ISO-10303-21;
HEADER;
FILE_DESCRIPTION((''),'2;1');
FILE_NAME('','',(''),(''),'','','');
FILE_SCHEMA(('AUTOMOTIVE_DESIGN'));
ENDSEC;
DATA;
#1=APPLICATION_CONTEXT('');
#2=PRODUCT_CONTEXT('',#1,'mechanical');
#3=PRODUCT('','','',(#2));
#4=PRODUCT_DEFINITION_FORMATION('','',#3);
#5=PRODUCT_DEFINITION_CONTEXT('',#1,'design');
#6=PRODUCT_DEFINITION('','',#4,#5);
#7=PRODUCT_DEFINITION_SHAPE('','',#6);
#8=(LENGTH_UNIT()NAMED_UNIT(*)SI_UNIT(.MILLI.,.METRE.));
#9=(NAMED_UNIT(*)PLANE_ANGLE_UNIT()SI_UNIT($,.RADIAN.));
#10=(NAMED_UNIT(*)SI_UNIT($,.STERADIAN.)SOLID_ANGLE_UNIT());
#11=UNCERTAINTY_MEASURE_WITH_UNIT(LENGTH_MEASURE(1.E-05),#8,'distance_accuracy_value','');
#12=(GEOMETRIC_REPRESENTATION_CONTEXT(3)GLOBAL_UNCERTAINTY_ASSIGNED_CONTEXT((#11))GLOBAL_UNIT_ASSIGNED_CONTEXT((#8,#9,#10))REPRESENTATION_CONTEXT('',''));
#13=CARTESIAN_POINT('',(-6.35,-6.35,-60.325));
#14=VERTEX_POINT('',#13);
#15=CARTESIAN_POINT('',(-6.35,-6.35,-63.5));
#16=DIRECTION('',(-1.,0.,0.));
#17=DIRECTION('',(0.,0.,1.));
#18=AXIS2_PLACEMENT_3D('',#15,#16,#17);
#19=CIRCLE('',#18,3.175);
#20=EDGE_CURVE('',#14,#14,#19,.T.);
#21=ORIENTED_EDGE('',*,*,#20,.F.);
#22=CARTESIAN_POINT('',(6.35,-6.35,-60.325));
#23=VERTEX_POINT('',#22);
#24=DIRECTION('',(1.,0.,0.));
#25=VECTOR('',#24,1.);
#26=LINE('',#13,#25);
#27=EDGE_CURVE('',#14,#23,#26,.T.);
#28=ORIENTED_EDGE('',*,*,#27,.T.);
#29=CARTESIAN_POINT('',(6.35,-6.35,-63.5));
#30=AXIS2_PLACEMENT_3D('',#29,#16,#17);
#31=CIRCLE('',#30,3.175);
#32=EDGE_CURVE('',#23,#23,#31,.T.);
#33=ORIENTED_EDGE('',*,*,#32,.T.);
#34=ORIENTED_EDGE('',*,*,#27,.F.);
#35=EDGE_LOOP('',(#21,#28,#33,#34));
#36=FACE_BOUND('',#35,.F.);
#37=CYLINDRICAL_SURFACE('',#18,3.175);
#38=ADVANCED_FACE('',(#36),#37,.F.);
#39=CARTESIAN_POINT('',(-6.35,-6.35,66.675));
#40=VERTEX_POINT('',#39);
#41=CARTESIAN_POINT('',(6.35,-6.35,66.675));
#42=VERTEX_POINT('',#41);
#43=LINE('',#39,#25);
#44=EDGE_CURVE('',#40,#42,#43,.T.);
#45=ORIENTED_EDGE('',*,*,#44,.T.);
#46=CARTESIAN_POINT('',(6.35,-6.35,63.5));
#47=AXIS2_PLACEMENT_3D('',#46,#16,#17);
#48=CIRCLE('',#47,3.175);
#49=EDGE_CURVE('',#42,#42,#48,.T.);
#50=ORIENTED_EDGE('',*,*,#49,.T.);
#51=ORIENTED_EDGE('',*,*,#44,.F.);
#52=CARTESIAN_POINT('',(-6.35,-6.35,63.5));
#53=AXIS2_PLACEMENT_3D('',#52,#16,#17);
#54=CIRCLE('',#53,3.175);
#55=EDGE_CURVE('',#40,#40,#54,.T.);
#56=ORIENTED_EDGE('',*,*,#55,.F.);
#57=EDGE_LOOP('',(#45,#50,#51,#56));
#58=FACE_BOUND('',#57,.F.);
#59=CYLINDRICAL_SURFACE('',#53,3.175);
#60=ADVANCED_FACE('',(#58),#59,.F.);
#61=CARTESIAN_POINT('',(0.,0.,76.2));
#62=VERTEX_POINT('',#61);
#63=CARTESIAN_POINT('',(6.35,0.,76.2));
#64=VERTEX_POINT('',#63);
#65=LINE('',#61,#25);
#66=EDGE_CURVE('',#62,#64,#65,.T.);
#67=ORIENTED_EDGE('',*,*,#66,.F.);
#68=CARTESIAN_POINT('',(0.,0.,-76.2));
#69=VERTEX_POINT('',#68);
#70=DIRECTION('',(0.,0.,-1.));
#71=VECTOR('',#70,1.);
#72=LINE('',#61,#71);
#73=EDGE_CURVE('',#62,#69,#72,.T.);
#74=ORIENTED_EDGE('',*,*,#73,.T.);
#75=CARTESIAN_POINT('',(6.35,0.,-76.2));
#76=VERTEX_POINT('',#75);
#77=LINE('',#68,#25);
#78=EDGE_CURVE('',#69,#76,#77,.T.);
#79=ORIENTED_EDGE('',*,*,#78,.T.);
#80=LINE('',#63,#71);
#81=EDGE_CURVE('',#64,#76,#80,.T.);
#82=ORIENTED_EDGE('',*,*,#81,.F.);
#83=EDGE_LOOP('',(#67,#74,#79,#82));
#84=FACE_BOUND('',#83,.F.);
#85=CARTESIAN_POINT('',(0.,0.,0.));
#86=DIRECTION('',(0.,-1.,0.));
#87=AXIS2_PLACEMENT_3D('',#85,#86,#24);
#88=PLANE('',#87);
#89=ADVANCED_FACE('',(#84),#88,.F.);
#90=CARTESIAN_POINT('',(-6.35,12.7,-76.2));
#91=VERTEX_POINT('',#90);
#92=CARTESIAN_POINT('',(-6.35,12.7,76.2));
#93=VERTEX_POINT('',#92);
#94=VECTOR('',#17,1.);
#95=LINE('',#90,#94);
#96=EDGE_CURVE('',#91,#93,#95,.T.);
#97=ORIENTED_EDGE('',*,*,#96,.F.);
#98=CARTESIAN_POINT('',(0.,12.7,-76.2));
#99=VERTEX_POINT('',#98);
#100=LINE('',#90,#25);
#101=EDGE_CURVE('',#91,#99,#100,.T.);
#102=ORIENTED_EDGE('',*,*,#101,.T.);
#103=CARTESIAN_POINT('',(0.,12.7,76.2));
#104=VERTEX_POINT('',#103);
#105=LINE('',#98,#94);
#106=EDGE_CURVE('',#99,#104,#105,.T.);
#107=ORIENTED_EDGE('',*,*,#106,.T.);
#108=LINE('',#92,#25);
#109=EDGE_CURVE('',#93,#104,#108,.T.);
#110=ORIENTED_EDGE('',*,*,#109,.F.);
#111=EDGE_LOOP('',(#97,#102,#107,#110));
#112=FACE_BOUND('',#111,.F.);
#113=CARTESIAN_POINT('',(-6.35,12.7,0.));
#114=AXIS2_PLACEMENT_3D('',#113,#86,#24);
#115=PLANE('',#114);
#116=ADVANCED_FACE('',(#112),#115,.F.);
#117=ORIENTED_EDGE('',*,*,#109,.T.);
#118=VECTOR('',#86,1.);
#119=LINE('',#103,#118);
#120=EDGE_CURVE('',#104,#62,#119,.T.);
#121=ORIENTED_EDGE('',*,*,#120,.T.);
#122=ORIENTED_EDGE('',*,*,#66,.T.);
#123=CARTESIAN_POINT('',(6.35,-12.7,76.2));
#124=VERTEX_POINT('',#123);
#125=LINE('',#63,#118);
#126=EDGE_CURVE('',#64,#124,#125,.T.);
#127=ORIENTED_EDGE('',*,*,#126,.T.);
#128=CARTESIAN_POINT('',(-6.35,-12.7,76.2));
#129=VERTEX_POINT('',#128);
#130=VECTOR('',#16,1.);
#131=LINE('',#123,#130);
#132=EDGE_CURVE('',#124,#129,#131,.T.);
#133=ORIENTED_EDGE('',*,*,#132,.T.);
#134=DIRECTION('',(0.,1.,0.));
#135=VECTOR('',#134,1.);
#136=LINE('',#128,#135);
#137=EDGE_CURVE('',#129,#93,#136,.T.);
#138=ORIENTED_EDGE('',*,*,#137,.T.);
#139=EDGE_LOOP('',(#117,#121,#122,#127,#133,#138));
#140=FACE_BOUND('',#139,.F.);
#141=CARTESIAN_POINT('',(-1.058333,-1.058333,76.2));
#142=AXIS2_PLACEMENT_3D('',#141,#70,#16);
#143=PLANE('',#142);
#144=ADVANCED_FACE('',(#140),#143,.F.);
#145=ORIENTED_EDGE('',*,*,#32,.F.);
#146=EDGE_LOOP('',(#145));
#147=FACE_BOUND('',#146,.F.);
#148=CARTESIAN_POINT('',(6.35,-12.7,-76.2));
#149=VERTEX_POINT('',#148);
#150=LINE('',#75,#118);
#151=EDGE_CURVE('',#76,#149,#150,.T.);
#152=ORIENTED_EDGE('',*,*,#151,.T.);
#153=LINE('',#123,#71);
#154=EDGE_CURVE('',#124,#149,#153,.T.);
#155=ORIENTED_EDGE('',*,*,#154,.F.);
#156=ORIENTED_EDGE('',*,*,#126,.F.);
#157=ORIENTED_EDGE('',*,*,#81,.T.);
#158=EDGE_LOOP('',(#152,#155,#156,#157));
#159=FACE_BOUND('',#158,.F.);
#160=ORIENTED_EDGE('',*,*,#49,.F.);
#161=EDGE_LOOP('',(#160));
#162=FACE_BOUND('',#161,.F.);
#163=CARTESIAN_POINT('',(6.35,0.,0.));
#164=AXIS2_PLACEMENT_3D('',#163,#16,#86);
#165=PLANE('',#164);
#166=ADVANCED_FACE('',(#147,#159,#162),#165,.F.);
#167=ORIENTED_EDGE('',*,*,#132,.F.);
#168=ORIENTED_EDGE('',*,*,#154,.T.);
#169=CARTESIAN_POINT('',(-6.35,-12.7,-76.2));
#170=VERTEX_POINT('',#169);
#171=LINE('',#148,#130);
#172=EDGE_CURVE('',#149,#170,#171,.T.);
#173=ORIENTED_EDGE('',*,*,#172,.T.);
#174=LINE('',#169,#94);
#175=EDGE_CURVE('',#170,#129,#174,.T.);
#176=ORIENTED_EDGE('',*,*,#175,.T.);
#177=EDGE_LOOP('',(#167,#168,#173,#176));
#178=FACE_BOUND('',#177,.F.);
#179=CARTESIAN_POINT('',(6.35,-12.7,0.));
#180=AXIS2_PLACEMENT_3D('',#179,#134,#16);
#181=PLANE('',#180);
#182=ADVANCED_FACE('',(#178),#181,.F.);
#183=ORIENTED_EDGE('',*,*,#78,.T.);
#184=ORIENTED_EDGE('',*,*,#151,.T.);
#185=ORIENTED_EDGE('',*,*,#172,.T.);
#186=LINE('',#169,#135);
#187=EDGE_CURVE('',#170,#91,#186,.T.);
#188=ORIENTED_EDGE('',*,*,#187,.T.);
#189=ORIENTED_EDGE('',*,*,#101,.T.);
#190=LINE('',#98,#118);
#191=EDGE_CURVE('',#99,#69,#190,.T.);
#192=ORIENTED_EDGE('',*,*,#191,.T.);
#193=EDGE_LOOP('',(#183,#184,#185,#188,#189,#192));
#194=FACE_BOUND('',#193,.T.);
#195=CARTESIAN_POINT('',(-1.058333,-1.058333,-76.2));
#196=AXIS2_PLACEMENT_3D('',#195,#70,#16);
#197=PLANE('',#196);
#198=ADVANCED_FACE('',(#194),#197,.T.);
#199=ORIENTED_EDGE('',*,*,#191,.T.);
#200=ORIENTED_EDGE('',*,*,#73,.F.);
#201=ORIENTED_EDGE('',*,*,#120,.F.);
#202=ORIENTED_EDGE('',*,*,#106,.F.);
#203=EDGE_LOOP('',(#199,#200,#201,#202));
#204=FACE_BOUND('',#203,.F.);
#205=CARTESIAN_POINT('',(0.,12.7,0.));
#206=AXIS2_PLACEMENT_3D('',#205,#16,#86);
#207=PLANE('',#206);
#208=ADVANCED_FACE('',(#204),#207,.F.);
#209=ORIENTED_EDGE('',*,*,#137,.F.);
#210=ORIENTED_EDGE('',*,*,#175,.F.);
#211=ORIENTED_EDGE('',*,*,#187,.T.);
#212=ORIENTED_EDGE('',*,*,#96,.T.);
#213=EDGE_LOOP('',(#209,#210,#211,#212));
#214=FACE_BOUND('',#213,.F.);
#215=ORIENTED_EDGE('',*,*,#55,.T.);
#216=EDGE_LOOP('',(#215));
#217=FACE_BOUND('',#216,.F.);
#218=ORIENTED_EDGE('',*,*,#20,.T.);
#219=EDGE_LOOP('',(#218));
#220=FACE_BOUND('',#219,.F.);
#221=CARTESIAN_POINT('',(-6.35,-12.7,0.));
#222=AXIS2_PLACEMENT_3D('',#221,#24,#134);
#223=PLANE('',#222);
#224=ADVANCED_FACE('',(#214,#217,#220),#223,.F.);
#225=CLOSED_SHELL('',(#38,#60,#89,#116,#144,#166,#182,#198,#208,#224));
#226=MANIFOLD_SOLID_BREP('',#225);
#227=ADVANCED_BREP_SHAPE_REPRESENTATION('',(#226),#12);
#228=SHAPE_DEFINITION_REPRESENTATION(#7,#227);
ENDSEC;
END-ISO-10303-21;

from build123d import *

# Parameters (mm, degrees)
BOSS_EXTRUDE1_DEPTH     = 76.2
SKETCH2_R               = 3.175
CUT_EXTRUDE1_DEPTH      = 1
CUT_EXTRUDE1_DEPTH_BACK = 13.7


with BuildPart() as part:
    # Sketch1 → Boss-Extrude1 (new body, symmetric)
    with BuildSketch(Plane.XY):
        Polygon((0, 12.7), (0, 0), (6.35, 0), (6.35, -12.7), (-6.35, -12.7), (-6.35, 12.7), align=None)
    extrude(amount=BOSS_EXTRUDE1_DEPTH, both=True)

    # Sketch2 → Cut-Extrude1 (cut, two sides)
    with BuildSketch(Plane.ZY.offset(6.35)) as cut_extrude1_sk:
        with Locations((-63.5, -6.35)):
            Circle(SKETCH2_R)
        with Locations((63.5, -6.35)):
            Circle(SKETCH2_R)
    extrude(amount=CUT_EXTRUDE1_DEPTH, mode=Mode.SUBTRACT)
    extrude(cut_extrude1_sk.sketch, amount=-CUT_EXTRUDE1_DEPTH_BACK, mode=Mode.SUBTRACT)


solid = part.part
